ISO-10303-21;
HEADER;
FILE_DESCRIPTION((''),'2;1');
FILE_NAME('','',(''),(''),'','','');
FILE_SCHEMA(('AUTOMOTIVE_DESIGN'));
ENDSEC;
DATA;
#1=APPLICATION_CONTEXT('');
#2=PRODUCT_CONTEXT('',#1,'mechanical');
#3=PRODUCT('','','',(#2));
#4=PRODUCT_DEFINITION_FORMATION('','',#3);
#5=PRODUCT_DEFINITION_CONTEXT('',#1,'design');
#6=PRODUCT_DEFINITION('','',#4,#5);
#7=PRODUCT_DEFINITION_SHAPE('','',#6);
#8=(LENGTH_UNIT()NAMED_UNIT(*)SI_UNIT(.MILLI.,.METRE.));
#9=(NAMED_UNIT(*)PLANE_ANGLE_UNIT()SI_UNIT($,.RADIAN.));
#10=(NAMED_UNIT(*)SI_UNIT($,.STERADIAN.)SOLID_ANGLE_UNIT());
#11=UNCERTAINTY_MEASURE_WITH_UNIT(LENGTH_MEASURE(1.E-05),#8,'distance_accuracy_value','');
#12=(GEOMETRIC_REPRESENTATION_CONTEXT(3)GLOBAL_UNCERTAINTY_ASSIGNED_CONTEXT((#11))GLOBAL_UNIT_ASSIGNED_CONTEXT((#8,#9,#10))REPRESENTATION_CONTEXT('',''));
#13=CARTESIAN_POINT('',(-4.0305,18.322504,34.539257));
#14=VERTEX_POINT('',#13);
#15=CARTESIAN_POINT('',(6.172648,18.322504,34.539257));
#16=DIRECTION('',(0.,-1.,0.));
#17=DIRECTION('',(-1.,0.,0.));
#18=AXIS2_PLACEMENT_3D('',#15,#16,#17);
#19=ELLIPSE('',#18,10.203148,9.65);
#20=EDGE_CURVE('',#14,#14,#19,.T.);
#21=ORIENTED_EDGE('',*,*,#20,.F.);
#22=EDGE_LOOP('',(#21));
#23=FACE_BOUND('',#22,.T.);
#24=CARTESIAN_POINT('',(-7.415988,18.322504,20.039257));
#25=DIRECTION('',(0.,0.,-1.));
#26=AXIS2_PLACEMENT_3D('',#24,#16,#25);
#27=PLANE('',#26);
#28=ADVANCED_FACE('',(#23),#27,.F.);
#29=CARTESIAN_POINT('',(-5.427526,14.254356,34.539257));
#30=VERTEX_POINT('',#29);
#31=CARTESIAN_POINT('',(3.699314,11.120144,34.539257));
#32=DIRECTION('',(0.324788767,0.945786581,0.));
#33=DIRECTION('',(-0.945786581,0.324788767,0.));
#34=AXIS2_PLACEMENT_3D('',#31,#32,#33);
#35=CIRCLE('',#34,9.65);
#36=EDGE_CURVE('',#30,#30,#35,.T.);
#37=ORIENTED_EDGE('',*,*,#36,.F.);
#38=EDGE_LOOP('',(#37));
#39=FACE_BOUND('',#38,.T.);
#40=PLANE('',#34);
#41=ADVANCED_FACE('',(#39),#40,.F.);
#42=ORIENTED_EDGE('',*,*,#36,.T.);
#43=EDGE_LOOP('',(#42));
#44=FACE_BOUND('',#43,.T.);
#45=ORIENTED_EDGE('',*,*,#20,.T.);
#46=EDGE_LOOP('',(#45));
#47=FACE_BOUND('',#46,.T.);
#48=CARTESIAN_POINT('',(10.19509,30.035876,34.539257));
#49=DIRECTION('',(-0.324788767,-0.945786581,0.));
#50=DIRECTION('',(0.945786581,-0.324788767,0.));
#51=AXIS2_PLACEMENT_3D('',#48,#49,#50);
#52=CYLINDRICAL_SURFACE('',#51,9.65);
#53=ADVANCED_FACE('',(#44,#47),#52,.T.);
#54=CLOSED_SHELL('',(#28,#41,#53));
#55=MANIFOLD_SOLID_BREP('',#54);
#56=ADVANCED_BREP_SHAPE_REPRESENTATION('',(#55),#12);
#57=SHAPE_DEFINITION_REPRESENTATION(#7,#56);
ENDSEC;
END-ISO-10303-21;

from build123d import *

# Parameters (mm, degrees)
BOSS_EXTRU_2_START      = 3
ESQUISSE3_R             = 9.65
BOSS_EXTRU_2_DEPTH      = 20
ESQUISSE4_W             = 37.049595251
ESQUISSE4_H             = 16.713526767
ENL_V_MAT_EXTRU_1_DEPTH = 25


with BuildPart() as part:
    # Esquisse3 → Boss.-Extru.2 (new body)
    with BuildSketch(Plane(origin=(2.831761515, 8.246104274, 0), x_dir=(0.945786581, -0.324788767, 0), z_dir=(0.324788767, 0.945786581, 0)).offset(BOSS_EXTRU_2_START)):
        with Locations((-0.112936213, -34.539256921)):
            Circle(ESQUISSE3_R)
    extrude(amount=BOSS_EXTRU_2_DEPTH)

    # Esquisse4 → Enlèv. mat.-Extru.1 (cut)
    with BuildSketch(Plane.XY.offset(45.039256921)):
        with Locations((11.108809322, 26.679267175)):
            Rectangle(ESQUISSE4_W, ESQUISSE4_H)
    extrude(amount=-ENL_V_MAT_EXTRU_1_DEPTH, mode=Mode.SUBTRACT)


solid = part.part
